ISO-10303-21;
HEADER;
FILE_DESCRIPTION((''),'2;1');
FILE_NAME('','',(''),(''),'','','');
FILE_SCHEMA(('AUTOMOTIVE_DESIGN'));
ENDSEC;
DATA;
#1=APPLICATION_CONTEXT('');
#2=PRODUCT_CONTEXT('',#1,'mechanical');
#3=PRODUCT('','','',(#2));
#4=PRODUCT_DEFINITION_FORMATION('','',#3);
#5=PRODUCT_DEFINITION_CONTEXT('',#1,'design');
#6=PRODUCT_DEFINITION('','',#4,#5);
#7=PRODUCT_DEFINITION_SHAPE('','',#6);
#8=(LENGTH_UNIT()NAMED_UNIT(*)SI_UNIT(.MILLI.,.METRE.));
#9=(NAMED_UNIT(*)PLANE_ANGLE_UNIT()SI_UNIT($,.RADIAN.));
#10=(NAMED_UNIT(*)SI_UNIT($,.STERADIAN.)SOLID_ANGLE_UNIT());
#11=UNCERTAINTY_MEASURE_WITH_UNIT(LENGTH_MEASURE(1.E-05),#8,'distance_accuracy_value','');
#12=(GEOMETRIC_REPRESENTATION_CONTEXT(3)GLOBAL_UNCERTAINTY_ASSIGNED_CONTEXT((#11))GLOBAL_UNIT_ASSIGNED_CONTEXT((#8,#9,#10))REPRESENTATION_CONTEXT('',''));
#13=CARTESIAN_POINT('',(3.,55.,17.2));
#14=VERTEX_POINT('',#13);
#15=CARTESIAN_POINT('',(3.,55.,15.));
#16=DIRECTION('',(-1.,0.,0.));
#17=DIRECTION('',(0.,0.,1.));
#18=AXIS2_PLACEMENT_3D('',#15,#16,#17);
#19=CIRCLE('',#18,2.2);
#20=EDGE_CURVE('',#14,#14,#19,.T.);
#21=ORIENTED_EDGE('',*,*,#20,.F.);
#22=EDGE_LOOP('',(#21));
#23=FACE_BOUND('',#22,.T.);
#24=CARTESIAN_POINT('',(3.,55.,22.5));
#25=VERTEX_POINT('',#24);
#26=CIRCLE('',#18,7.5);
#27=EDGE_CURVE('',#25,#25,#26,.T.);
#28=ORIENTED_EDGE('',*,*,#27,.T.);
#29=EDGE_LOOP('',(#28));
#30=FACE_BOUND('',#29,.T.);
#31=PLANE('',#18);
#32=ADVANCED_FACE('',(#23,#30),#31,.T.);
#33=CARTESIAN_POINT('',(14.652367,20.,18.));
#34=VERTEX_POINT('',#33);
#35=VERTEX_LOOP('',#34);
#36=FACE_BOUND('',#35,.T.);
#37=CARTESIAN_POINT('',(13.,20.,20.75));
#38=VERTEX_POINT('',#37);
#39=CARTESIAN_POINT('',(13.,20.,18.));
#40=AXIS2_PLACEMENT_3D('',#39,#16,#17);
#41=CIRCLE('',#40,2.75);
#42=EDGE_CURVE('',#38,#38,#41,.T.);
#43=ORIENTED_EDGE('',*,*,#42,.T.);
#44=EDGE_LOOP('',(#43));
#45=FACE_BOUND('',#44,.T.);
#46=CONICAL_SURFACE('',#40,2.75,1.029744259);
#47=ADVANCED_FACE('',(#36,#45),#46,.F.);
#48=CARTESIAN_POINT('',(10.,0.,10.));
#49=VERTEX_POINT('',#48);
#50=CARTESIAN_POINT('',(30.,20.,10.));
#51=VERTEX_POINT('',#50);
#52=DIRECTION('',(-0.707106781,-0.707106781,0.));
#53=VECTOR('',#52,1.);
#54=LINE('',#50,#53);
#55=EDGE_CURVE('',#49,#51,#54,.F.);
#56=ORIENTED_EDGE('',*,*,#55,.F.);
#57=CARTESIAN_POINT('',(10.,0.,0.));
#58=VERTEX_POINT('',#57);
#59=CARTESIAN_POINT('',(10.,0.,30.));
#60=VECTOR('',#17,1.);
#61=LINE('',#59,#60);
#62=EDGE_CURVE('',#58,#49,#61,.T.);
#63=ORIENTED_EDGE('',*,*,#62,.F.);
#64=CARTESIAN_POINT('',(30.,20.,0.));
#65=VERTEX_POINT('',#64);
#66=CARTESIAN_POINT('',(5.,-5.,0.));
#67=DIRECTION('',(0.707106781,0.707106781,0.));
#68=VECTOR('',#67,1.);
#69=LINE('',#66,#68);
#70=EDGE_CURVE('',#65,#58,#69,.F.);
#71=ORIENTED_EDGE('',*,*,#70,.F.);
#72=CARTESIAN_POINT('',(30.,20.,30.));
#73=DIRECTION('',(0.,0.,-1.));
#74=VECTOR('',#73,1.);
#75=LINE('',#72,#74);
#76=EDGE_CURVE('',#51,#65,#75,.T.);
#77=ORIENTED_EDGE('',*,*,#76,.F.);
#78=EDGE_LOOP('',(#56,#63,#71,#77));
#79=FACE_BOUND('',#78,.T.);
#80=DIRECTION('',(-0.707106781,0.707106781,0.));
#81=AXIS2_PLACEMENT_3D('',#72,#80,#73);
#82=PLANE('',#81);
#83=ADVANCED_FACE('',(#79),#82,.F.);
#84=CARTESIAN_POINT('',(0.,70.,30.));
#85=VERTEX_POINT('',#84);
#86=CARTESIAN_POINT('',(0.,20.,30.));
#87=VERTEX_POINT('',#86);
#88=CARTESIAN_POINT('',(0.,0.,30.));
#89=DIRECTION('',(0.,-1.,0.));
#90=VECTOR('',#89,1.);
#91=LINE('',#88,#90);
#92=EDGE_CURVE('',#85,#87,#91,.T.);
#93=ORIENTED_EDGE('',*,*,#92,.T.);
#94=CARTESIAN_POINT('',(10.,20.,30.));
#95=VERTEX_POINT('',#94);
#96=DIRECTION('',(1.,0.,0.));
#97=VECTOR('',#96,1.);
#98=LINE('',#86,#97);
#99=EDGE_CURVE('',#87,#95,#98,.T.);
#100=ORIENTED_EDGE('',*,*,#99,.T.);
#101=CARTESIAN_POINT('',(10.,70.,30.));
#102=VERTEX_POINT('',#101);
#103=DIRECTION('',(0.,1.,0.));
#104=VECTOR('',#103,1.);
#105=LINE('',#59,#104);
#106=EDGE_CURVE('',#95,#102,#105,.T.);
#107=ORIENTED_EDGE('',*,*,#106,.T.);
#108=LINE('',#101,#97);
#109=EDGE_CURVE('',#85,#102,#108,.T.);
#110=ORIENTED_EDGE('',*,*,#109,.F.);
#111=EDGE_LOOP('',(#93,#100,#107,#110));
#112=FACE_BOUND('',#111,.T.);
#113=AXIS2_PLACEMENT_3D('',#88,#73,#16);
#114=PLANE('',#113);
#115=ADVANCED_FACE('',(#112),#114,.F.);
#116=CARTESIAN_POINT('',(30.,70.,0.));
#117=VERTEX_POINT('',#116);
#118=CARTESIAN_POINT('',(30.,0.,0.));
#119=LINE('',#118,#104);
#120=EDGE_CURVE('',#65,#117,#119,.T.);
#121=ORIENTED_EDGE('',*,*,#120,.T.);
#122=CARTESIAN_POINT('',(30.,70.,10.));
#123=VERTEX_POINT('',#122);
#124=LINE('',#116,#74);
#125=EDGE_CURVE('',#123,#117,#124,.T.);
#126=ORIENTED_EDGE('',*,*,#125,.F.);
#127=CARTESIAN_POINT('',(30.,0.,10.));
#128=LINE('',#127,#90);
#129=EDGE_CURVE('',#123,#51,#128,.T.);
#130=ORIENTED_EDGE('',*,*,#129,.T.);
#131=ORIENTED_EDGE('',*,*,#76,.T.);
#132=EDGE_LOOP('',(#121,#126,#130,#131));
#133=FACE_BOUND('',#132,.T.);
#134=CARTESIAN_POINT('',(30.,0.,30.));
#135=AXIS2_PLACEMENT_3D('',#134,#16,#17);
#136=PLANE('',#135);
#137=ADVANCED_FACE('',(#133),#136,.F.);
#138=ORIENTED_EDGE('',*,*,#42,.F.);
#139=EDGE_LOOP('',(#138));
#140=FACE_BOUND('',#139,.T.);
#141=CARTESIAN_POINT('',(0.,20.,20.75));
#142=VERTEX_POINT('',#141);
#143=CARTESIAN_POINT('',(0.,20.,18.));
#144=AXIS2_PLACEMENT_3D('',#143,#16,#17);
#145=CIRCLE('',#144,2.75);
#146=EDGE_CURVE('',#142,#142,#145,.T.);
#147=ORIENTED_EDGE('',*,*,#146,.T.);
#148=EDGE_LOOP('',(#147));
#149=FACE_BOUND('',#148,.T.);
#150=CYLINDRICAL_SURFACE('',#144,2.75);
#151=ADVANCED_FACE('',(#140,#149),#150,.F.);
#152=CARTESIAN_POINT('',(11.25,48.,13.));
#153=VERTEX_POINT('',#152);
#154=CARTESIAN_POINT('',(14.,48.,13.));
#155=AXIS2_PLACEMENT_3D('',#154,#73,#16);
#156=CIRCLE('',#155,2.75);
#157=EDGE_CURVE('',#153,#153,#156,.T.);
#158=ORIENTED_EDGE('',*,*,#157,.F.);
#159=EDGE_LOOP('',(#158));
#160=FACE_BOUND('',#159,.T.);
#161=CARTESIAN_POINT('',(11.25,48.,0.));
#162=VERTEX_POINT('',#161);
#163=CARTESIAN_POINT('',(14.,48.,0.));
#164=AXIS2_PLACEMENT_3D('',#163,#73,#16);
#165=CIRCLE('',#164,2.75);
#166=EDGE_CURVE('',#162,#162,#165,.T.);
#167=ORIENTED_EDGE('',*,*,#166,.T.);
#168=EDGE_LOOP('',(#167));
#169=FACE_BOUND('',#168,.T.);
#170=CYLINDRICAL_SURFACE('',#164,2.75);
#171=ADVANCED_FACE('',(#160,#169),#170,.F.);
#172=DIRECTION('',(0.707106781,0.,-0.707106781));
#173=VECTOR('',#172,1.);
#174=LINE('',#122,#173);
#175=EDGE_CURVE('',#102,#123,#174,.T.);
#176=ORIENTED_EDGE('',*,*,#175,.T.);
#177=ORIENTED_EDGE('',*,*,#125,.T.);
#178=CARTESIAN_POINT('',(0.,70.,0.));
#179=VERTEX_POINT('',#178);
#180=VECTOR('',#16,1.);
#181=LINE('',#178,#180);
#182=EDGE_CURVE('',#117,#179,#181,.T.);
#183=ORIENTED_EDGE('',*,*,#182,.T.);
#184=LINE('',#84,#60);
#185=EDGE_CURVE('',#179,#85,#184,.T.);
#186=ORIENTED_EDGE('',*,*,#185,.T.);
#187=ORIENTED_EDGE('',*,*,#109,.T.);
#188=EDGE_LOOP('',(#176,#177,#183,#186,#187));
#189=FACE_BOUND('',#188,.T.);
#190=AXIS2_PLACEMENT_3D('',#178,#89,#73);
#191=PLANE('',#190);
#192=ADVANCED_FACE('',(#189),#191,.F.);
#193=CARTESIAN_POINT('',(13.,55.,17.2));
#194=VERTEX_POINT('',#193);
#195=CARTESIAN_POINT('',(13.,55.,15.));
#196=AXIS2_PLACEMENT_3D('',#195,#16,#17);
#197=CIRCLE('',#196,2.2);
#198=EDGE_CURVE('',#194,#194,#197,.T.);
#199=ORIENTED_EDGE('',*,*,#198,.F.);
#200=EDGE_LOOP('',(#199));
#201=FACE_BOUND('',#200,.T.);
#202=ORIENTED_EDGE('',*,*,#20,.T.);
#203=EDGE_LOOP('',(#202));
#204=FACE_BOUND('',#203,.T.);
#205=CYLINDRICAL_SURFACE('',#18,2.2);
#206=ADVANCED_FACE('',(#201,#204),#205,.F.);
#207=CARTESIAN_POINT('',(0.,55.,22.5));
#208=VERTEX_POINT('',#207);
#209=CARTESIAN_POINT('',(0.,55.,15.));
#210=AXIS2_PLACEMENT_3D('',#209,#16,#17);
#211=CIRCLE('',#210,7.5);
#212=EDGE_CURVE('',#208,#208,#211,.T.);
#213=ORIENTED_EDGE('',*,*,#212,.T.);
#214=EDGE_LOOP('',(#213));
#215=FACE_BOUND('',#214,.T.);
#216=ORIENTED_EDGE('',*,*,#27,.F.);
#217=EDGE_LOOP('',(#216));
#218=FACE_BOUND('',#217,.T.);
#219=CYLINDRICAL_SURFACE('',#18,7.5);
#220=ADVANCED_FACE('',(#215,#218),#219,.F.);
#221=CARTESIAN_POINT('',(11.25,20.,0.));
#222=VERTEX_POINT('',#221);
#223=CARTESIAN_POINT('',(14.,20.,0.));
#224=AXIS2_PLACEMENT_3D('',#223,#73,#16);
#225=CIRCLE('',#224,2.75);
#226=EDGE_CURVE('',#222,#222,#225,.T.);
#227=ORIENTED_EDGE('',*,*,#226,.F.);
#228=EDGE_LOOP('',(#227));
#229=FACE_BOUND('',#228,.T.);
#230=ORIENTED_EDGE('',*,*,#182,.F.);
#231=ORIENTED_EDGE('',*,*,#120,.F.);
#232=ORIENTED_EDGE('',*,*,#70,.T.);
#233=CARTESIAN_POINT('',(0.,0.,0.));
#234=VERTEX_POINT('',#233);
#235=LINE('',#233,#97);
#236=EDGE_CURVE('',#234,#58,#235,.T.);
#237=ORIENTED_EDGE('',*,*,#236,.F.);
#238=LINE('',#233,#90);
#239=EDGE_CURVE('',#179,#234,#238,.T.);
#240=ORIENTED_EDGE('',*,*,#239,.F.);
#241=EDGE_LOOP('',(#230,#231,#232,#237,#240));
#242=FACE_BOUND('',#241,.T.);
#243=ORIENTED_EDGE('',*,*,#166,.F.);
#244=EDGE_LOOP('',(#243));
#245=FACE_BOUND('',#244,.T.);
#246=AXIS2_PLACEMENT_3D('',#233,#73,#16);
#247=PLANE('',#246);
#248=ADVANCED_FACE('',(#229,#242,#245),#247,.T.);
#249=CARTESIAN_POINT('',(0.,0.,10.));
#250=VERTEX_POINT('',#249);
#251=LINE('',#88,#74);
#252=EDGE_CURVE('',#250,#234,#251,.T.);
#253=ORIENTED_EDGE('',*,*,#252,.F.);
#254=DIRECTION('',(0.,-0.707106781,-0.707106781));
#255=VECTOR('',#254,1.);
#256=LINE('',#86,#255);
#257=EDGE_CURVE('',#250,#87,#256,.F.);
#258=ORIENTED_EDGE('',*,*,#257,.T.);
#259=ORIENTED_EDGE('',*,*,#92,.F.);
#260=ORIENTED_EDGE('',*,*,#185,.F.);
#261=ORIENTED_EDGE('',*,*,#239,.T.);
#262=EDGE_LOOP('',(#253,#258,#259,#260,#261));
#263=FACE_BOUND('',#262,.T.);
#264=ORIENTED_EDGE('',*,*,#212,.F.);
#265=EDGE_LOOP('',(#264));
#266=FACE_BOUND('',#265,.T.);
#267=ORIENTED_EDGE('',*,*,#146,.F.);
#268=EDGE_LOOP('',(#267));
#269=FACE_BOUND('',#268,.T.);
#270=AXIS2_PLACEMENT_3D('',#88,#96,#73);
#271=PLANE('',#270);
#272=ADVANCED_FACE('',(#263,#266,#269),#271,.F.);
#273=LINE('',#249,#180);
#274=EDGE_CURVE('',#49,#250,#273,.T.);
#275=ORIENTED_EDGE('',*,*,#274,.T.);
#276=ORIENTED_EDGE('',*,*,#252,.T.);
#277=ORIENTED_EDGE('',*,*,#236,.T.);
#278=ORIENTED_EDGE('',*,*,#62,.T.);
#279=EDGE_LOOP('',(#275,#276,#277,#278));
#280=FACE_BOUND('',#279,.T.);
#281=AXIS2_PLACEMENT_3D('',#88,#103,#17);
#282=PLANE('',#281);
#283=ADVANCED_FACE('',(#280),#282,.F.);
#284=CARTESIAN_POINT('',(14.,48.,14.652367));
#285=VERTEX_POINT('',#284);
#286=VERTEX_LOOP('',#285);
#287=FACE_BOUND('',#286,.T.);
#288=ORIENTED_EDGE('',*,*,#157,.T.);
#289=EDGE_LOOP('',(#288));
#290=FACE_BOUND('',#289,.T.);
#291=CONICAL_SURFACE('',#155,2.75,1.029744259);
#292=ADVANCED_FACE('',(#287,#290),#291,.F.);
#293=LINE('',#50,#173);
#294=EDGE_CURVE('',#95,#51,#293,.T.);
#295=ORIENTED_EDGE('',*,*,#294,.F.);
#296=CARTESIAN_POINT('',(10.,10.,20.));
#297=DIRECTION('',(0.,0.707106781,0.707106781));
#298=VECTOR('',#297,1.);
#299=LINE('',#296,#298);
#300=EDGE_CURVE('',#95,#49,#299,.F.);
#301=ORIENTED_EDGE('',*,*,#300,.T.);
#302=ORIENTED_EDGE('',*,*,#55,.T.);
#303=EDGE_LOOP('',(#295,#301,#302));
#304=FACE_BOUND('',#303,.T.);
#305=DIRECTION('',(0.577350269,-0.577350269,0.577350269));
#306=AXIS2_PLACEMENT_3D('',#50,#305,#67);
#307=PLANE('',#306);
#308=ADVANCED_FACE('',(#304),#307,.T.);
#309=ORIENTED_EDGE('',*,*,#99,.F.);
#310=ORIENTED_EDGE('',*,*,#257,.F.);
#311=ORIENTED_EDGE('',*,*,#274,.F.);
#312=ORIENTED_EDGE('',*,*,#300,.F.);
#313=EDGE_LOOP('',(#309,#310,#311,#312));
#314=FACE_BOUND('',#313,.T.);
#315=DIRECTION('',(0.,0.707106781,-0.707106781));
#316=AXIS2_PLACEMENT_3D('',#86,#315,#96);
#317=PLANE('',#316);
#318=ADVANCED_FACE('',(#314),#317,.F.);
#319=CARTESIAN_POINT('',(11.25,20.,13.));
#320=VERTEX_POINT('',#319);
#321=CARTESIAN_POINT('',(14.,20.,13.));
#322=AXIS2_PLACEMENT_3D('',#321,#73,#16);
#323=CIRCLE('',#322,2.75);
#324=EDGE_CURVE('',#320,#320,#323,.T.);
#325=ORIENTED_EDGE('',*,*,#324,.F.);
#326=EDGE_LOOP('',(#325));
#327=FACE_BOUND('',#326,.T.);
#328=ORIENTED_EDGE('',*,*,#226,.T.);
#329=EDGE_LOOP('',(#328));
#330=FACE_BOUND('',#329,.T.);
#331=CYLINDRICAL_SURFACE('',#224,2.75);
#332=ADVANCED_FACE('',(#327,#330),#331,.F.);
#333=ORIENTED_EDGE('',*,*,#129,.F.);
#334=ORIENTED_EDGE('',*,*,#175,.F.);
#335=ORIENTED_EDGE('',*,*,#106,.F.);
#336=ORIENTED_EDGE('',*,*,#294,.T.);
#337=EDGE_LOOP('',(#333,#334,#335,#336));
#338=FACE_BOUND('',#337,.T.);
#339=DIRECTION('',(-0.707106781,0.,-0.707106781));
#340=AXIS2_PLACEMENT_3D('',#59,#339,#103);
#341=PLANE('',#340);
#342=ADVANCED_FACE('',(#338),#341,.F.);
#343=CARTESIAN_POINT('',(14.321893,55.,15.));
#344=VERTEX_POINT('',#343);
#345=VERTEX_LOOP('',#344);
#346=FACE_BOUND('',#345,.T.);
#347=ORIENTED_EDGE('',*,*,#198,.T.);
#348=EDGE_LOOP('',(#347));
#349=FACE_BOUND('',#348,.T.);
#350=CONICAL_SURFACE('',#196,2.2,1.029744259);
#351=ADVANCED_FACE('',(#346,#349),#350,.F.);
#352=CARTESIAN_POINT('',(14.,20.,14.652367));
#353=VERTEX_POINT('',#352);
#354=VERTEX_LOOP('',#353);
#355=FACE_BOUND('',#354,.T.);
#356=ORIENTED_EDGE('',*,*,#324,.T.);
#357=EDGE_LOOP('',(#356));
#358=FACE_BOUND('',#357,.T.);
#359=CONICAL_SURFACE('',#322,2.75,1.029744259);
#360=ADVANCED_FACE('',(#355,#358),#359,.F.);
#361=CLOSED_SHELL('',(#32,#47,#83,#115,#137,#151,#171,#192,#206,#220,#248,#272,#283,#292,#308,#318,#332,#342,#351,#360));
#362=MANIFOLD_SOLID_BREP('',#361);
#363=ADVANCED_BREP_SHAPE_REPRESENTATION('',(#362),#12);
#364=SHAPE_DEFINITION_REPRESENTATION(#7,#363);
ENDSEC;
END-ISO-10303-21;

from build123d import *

# Parameters (mm, degrees)
SCHIZZO1_W                   = 30
SCHIZZO1_H                   = 40
ESTRUSIONE_ESTRUSIONE1_DEPTH = 30
SMUSSO1_SIZE                 = 20
ESTRUSIONE_ESTRUSIONE2_DEPTH = 30
FORO_PER_VITE_M5_1_D         = 5.5
FORO_PER_VITE_M5_1_DEPTH     = 13
FORO_PER_VITE_M5_1_TIP       = 1.652366702
FORO_PER_VITE_M5_2_D         = 5.5
FORO_PER_VITE_M5_2_DEPTH     = 13
FORO_PER_VITE_M5_2_TIP       = 1.652366702
SCHIZZO6_R                   = 7.5
TAGLIO_ESTRUSIONE1_DEPTH     = 3
FORO_PER_VITE_M4_1_D         = 4.4
FORO_PER_VITE_M4_1_DEPTH     = 10
FORO_PER_VITE_M4_1_TIP       = 1.321893362


with BuildPart() as part:
    # Schizzo1 → Estrusione-Estrusione1 (new body)
    with BuildSketch(Plane.XY):
        with Locations((15, 20)):
            Rectangle(SCHIZZO1_W, SCHIZZO1_H)
    extrude(amount=ESTRUSIONE_ESTRUSIONE1_DEPTH)

    # Smusso1
    smusso1_edges = [part.edges().sort_by_distance(p)[0] for p in [
        (30, 20, 30),
        (30, 0, 15),
        (15, 0, 30),
    ]]
    chamfer(smusso1_edges, length=SMUSSO1_SIZE)

    # Schizzo2 → Estrusione-Estrusione2 (add)
    with BuildSketch(Plane(origin=(0, 40, 0), x_dir=(1, 0, 0), z_dir=(0, 1, 0))):
        Polygon((0, 0), (30, 0), (30, -10), (10, -30), (0, -30), align=None)
    extrude(amount=ESTRUSIONE_ESTRUSIONE2_DEPTH)

    # Foro per Vite M5-1
    with Locations(Plane.ZY):
        with Locations((18, 20)):
            Hole(FORO_PER_VITE_M5_1_D / 2, depth=FORO_PER_VITE_M5_1_DEPTH)
            with Locations((0, 0, -(FORO_PER_VITE_M5_1_DEPTH + FORO_PER_VITE_M5_1_TIP / 2))):  # 118° drill point
                Cone(0, FORO_PER_VITE_M5_1_D / 2, FORO_PER_VITE_M5_1_TIP, mode=Mode.SUBTRACT)

    # Foro per Vite M5-2
    with Locations(Plane(origin=(14, 20, 0), x_dir=(-1, 0, 0), z_dir=(0, 0, -1))):
        with Locations((0, 0), (0, 28)):
            Hole(FORO_PER_VITE_M5_2_D / 2, depth=FORO_PER_VITE_M5_2_DEPTH)
            with Locations((0, 0, -(FORO_PER_VITE_M5_2_DEPTH + FORO_PER_VITE_M5_2_TIP / 2))):  # 118° drill point
                Cone(0, FORO_PER_VITE_M5_2_D / 2, FORO_PER_VITE_M5_2_TIP, mode=Mode.SUBTRACT)

    # Schizzo6 → Taglio-Estrusione1 (cut)
    with BuildSketch(Plane.ZY):
        with Locations((15, 55)):
            Circle(SCHIZZO6_R)
    extrude(amount=-TAGLIO_ESTRUSIONE1_DEPTH, mode=Mode.SUBTRACT)

    # Foro per Vite M4-1
    with Locations(Plane.ZY.offset(-3)):
        with Locations((15, 55)):
            Hole(FORO_PER_VITE_M4_1_D / 2, depth=FORO_PER_VITE_M4_1_DEPTH)
            with Locations((0, 0, -(FORO_PER_VITE_M4_1_DEPTH + FORO_PER_VITE_M4_1_TIP / 2))):  # 118° drill point
                Cone(0, FORO_PER_VITE_M4_1_D / 2, FORO_PER_VITE_M4_1_TIP, mode=Mode.SUBTRACT)


solid = part.part
